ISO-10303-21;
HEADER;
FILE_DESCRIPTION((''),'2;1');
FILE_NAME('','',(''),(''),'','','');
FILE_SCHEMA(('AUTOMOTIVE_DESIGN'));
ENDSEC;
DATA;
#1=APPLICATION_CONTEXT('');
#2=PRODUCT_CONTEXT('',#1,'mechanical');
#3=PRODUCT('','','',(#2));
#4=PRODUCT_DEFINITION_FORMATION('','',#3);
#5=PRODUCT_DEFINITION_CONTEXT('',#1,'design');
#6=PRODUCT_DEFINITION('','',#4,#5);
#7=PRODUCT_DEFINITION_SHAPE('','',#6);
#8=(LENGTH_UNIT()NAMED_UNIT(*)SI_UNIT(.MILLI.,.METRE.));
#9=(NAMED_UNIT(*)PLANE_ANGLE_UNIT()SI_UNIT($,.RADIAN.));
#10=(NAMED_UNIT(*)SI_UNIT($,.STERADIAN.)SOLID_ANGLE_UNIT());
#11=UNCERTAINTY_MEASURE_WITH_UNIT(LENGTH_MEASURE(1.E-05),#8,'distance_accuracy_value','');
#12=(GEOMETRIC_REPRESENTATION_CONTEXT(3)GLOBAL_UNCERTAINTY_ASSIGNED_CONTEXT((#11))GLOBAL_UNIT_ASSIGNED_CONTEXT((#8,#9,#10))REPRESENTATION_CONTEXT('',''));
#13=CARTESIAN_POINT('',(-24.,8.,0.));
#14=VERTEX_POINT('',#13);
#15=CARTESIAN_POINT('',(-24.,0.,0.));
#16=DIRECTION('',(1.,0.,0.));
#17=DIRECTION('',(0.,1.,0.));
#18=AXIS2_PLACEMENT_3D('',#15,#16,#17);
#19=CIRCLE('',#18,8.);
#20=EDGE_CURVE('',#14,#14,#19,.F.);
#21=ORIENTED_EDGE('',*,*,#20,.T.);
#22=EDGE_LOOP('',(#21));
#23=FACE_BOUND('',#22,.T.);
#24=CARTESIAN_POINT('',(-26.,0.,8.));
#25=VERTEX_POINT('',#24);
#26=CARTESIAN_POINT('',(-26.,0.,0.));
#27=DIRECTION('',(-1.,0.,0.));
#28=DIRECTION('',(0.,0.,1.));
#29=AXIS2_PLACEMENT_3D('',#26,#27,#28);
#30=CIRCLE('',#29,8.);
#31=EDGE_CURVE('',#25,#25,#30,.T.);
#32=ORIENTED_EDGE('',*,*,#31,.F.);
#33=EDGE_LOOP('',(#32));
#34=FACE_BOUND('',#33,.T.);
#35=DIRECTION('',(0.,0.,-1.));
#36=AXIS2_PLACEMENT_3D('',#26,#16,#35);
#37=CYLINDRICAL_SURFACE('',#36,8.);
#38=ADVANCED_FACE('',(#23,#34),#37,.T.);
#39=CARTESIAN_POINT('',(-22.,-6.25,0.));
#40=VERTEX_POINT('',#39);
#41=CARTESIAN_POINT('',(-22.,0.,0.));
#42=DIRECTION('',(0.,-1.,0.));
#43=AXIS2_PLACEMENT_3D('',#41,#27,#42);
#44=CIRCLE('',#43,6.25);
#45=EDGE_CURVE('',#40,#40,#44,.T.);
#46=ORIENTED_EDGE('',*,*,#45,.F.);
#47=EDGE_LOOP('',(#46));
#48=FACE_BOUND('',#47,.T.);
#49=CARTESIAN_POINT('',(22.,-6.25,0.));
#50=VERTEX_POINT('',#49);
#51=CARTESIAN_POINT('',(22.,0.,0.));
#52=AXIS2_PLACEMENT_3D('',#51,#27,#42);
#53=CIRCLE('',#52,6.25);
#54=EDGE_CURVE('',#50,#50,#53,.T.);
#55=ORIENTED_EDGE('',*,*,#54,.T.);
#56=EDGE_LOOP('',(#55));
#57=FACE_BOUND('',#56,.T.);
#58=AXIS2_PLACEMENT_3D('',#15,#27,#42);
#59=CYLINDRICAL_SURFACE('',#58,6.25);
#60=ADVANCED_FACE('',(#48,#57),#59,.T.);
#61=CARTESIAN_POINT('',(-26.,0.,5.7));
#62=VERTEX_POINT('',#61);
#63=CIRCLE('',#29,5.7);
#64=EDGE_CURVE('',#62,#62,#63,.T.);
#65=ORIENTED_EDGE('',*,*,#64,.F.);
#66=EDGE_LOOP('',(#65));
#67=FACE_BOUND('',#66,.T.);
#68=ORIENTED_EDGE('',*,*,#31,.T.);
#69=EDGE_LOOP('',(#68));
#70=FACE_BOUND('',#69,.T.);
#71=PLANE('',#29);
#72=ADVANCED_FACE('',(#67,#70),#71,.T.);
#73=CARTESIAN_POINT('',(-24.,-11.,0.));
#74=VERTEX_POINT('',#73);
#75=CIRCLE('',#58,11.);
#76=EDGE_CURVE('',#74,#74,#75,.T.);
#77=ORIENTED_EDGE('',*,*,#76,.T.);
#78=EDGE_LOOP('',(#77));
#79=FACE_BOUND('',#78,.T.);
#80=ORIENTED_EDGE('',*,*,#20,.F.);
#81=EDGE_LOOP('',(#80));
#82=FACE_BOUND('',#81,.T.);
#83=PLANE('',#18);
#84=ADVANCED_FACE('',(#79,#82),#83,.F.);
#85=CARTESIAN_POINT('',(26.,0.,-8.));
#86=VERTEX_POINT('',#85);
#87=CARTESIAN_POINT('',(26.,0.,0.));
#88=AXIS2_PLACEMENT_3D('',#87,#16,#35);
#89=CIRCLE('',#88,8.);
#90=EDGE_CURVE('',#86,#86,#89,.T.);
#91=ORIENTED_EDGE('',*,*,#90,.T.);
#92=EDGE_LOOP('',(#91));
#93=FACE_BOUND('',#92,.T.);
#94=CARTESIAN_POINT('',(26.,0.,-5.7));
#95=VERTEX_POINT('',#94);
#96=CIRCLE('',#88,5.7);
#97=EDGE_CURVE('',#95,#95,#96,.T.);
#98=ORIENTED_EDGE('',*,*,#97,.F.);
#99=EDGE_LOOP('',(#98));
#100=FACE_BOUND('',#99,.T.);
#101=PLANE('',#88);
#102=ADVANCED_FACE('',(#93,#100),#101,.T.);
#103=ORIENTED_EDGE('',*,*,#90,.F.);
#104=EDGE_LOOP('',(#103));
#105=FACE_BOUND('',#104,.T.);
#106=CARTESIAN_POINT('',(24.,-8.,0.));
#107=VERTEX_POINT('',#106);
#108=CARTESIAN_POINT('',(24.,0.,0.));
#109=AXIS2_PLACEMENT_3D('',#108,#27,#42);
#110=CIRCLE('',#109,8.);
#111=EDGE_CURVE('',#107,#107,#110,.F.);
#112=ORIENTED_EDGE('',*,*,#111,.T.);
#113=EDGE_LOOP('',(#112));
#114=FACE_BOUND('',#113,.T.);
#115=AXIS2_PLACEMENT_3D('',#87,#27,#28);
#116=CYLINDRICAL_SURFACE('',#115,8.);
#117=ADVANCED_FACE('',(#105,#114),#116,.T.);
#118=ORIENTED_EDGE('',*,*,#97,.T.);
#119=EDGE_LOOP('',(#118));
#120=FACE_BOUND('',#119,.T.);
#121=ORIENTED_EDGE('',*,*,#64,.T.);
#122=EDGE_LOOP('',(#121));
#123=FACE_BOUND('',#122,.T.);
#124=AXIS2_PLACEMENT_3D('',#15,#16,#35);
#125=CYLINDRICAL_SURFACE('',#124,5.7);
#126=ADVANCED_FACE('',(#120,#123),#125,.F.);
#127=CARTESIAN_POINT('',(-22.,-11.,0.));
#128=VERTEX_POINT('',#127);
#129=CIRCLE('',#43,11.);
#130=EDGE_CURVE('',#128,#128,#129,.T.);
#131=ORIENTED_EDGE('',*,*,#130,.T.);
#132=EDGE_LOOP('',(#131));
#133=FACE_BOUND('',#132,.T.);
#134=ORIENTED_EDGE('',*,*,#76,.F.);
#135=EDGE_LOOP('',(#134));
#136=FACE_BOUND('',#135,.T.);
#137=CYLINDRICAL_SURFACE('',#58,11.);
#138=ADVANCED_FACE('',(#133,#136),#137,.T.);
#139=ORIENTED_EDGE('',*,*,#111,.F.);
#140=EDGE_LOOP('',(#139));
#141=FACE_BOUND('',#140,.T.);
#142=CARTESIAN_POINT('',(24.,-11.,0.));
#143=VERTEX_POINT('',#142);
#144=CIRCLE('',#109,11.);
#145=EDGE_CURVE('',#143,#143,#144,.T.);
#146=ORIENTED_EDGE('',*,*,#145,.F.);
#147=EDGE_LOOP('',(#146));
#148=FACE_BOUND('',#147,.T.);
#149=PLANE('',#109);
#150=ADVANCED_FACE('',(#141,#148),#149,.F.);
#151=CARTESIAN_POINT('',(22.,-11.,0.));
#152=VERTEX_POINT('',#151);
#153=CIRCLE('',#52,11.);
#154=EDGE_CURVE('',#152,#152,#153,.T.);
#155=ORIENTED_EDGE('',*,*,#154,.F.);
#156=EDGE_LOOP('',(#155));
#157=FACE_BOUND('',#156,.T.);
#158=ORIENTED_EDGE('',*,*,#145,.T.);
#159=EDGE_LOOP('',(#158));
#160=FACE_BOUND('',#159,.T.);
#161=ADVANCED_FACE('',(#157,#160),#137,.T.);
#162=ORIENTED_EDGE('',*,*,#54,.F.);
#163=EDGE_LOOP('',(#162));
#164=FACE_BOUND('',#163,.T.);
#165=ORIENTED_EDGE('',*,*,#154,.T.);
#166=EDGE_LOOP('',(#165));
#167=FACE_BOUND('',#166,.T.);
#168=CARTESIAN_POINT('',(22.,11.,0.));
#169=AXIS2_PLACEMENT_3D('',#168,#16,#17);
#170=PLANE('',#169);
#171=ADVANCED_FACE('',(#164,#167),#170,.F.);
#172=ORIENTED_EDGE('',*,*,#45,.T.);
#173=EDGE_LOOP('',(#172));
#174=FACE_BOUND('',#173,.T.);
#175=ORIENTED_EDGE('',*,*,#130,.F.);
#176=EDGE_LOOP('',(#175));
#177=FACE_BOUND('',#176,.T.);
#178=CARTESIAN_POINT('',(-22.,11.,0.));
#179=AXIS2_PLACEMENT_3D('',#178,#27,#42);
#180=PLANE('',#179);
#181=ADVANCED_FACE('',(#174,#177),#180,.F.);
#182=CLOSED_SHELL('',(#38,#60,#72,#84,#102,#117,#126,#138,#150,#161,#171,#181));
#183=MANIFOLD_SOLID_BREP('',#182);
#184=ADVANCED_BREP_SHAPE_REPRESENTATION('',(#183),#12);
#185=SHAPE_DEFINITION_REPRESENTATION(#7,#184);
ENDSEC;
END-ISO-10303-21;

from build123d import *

# Parameters (mm, degrees)
SKETCH2_R           = 5.7
CUT_EXTRUDE1_DEPTH  = 51.457903246
SKETCH3_R           = 8
SKETCH3_R_2         = 5.7
BOSS_EXTRUDE1_DEPTH = 2
SKETCH4_R           = 8
SKETCH4_R_2         = 5.7
BOSS_EXTRUDE2_DEPTH = 2


with BuildPart() as part:
    # Sketch1 → Revolve1 (revolve)
    with BuildSketch(Plane.XY, mode=Mode.PRIVATE) as revolve1_sk:
        Polygon((-24, 0), (24, 0), (24, 11), (22, 11), (22, 6.25), (-22, 6.25), (-22, 11), (-24, 11), align=None)
    revolve(revolve1_sk.sketch.rotate(Axis((-24, 0, 0), (1, 0, 0)), 180), axis=Axis((-24, 0, 0), (1, 0, 0)))

    # Sketch2 → Cut-Extrude1 (cut, through all)
    with BuildSketch(Plane(origin=(24, 0, 0), x_dir=(0, 0, -1), z_dir=(1, 0, 0))):
        Circle(SKETCH2_R)
    extrude(amount=-CUT_EXTRUDE1_DEPTH, mode=Mode.SUBTRACT)

    # Sketch3 → Boss-Extrude1 (add)
    with BuildSketch(Plane(origin=(24, 0, 0), x_dir=(0, 0, -1), z_dir=(1, 0, 0))):
        with Locations(Location((0, 0, 0), (0, 0, 270))):
            Circle(SKETCH3_R)
        Circle(SKETCH3_R_2, mode=Mode.SUBTRACT)
    extrude(amount=BOSS_EXTRUDE1_DEPTH)

    # Sketch4 → Boss-Extrude2 (add)
    with BuildSketch(Plane.ZY.offset(24)):
        with Locations(Location((0, 0, 0), (0, 0, 270))):
            Circle(SKETCH4_R)
        with Locations(Location((0, 0, 0), (0, 0, 180))):
            Circle(SKETCH4_R_2, mode=Mode.SUBTRACT)
    extrude(amount=BOSS_EXTRUDE2_DEPTH)


solid = part.part
